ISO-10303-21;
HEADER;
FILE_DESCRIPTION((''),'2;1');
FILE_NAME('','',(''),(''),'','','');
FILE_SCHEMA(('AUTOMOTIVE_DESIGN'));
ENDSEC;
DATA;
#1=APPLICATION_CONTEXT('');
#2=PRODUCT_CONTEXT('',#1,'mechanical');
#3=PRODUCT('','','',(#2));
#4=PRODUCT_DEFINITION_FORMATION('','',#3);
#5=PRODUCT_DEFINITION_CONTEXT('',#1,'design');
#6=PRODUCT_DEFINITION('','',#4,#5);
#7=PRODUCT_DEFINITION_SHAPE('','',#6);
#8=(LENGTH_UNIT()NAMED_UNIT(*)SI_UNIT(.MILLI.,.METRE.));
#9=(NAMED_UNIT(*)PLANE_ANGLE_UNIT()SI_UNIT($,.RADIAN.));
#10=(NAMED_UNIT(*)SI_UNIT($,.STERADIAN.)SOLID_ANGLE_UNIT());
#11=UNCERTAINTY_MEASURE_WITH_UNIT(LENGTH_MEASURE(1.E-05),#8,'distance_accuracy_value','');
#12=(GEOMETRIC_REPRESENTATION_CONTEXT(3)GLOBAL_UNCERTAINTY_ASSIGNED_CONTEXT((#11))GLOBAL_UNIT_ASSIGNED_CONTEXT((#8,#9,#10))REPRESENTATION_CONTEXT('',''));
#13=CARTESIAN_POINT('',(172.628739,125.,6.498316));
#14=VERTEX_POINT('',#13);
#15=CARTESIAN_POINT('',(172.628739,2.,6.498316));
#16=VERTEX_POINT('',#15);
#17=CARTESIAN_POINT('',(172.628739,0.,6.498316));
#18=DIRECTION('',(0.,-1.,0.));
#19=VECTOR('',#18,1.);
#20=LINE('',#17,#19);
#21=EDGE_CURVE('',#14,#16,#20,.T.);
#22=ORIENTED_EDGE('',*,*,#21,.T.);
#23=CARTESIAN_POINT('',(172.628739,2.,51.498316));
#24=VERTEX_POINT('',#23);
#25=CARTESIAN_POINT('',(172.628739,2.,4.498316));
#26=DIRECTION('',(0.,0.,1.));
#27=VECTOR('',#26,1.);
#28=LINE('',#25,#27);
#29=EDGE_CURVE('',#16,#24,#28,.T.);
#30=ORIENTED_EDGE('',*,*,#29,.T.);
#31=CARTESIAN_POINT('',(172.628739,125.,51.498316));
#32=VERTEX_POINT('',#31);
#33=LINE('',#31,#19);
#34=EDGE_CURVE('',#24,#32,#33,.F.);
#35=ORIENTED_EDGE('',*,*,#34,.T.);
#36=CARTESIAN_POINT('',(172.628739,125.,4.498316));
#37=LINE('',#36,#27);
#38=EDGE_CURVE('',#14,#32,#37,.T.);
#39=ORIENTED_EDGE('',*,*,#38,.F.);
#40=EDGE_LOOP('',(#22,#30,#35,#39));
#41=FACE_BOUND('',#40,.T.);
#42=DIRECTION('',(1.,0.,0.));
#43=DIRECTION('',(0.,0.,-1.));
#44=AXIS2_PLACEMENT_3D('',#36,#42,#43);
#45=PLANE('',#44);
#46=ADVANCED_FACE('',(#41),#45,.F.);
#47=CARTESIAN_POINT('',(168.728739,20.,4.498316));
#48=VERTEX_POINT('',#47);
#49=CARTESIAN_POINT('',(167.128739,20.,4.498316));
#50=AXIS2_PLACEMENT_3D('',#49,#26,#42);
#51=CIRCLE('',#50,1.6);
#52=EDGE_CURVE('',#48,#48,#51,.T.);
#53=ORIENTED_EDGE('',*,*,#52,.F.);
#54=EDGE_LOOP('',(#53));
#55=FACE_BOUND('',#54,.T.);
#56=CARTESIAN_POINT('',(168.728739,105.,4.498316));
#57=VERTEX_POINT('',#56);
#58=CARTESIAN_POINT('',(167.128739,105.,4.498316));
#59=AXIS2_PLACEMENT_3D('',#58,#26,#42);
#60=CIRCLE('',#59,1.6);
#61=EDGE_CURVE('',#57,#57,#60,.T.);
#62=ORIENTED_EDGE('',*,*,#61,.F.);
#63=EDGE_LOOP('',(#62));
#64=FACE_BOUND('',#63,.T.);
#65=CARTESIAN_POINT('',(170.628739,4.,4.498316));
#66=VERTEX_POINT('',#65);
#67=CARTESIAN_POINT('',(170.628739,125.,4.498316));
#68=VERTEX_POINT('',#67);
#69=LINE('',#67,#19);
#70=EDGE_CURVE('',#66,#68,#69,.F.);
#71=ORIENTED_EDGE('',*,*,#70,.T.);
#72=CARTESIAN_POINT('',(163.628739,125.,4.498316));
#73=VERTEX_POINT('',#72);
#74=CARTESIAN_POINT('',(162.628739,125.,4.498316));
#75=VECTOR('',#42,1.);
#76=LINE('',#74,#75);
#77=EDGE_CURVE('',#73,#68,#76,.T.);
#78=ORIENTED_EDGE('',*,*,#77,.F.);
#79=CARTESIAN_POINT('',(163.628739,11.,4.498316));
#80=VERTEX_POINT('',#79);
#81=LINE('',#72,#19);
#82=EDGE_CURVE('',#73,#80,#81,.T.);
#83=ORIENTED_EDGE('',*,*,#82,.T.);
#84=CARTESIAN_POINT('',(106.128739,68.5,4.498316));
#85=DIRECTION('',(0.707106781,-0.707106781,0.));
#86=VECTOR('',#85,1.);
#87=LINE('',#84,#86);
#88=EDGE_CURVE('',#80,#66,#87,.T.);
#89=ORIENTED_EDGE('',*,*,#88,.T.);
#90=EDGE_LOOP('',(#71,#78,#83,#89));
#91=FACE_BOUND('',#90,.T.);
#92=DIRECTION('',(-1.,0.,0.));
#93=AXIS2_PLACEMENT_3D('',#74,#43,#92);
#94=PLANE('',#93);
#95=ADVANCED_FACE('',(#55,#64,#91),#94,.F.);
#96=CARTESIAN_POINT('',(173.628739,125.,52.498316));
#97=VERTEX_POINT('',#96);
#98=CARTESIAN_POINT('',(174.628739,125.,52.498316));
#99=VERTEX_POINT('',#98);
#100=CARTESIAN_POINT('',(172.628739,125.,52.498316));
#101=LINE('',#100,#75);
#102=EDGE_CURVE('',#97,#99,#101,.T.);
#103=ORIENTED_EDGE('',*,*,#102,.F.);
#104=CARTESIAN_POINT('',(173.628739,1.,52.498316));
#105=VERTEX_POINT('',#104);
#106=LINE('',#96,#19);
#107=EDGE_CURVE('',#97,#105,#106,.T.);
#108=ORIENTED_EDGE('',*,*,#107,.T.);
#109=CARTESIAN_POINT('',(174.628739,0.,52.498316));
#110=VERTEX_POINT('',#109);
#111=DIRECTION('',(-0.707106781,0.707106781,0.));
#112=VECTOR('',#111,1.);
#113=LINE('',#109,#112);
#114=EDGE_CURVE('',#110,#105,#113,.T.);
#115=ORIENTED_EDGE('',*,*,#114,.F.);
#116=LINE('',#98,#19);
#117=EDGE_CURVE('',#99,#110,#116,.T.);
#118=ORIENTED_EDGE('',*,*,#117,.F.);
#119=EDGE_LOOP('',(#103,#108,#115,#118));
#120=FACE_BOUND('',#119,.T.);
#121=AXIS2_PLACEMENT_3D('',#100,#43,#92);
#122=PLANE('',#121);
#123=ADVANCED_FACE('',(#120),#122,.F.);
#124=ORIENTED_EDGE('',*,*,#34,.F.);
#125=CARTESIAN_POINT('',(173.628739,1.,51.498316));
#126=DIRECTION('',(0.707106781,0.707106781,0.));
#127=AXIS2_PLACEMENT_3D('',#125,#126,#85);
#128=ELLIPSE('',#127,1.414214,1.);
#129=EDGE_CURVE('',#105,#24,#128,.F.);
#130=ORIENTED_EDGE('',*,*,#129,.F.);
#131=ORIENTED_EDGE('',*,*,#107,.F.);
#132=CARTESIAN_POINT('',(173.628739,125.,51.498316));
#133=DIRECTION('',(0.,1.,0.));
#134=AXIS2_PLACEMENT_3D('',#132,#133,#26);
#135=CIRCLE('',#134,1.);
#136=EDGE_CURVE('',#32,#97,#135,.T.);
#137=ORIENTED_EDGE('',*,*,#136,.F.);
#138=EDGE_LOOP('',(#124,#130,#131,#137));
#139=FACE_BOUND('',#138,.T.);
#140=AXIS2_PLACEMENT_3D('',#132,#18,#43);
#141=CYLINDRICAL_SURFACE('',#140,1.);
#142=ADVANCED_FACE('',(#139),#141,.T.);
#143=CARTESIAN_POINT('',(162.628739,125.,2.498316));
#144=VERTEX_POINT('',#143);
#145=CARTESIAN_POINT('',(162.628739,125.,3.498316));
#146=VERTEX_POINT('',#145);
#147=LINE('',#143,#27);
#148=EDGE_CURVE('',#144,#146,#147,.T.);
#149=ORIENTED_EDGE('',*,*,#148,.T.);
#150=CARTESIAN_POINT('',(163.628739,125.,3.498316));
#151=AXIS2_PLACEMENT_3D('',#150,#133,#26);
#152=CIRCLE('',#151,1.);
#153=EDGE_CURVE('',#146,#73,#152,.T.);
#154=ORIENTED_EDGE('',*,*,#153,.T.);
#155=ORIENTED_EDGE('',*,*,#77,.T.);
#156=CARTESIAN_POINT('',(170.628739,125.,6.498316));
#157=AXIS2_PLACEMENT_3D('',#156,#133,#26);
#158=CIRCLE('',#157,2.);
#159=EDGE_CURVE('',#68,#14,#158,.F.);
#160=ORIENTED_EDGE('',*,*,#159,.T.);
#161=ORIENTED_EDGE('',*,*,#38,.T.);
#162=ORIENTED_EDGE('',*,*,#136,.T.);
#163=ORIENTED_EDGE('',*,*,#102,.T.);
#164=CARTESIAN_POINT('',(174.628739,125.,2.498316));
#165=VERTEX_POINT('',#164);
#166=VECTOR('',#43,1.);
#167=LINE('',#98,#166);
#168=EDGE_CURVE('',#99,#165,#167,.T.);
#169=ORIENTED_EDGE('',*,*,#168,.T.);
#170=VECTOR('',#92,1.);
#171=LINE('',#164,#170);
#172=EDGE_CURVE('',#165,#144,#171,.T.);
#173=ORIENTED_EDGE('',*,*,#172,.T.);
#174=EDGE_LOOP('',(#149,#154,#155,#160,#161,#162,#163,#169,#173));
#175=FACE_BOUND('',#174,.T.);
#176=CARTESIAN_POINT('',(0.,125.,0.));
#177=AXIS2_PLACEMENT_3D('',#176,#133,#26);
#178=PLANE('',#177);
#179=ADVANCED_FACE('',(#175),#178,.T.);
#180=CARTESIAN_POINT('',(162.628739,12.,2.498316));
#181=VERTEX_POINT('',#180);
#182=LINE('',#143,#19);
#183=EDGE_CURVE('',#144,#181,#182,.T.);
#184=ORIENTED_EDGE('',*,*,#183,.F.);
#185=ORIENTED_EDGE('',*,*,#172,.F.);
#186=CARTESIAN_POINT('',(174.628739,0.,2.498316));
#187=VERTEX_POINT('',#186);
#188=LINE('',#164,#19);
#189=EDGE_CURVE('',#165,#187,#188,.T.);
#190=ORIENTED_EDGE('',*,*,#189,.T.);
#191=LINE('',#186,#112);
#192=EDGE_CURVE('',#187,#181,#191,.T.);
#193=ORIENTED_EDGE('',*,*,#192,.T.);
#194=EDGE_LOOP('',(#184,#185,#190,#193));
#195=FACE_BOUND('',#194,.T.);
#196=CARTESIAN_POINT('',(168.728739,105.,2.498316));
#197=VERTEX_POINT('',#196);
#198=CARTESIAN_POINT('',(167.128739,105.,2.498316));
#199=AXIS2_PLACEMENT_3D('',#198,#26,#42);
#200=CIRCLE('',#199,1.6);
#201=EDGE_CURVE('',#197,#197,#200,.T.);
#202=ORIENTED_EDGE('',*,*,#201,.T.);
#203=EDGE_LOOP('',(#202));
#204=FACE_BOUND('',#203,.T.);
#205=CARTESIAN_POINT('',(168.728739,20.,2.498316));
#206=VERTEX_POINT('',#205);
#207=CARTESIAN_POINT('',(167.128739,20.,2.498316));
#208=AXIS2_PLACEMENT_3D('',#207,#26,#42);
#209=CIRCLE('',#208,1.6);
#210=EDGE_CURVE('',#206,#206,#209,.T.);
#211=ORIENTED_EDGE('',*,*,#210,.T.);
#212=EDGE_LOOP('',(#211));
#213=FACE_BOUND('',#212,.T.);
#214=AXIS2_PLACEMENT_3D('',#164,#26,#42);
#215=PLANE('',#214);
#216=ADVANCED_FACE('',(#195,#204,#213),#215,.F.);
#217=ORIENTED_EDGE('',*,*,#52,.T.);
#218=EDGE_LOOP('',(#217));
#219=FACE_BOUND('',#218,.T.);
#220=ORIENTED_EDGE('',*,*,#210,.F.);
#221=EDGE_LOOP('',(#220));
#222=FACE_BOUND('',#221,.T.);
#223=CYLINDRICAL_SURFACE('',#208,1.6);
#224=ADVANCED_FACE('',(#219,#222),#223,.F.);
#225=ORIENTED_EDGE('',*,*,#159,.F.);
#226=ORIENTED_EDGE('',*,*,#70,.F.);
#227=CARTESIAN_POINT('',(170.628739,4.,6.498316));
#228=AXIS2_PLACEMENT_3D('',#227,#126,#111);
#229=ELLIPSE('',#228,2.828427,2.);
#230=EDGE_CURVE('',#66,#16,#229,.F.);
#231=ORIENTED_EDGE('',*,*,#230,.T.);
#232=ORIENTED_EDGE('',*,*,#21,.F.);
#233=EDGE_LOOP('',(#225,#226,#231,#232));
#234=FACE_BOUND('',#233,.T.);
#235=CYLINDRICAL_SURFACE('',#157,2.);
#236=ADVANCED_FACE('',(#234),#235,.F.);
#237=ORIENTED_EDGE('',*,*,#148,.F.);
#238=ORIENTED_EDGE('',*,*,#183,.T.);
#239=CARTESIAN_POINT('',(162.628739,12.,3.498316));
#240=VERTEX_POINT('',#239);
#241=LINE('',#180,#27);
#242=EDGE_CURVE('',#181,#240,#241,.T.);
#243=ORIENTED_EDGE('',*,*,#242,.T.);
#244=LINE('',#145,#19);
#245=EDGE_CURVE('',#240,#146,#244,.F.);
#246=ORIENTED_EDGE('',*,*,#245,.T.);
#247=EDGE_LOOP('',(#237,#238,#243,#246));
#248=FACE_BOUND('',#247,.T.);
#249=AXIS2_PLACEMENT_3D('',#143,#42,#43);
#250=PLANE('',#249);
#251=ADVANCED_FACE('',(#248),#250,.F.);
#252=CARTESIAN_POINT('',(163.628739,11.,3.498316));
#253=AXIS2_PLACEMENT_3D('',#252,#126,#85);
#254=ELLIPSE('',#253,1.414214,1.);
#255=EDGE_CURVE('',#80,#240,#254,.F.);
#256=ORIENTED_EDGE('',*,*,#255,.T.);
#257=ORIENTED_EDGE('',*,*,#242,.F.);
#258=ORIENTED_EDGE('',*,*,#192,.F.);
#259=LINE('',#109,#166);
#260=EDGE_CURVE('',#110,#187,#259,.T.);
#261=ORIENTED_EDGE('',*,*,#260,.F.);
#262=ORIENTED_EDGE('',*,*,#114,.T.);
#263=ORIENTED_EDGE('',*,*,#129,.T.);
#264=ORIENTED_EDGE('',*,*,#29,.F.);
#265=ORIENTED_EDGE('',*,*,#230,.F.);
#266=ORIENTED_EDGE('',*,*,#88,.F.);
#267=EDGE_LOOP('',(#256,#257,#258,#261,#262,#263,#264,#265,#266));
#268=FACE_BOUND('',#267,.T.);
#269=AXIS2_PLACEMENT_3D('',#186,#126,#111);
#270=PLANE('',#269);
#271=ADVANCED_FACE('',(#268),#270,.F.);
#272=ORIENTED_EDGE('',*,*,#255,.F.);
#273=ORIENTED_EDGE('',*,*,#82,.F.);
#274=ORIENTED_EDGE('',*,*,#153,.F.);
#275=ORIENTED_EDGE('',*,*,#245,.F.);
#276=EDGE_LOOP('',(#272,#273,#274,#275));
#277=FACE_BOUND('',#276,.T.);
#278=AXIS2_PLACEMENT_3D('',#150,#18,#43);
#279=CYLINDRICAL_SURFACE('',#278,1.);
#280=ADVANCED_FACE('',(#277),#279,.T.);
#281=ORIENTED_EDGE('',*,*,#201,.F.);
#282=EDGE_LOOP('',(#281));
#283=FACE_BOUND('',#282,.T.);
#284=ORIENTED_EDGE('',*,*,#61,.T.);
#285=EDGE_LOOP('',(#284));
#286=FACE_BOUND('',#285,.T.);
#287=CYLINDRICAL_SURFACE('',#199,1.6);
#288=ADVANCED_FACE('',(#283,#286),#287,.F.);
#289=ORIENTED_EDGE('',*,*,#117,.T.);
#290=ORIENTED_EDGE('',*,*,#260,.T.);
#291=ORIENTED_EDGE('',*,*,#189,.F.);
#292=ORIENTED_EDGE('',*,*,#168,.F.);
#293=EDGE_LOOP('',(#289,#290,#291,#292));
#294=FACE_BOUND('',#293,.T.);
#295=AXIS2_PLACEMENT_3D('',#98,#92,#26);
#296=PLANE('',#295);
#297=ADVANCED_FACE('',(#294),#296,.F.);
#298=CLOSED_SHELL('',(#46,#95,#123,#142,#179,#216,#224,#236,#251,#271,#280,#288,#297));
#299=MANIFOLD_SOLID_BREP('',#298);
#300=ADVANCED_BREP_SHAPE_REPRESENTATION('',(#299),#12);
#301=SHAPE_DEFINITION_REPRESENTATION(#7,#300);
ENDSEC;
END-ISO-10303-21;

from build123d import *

# Parameters (mm, degrees)
BOSS_EXTRUDE1_DEPTH     = 125
FILLET1_R               = 1
FILLET2_R               = 2
SKETCH3_R               = 1.6
CUT_EXTRUDE1_DEPTH      = 221.054985344
CUT_EXTRUDE2_DEPTH      = 221.054985344
CUT_EXTRUDE2_DEPTH_BACK = 221.054985344


with BuildPart() as part:
    # Sketch2 → Boss-Extrude1 (new body)
    with BuildSketch(Plane(origin=(0, 0, 0), x_dir=(1, 0, 0), z_dir=(0, 1, 0))):
        Polygon((174.628739257, -52.498316328), (174.628739257, -2.498316328), (162.628739257, -2.498316328), (162.628739257, -4.498316328), (172.628739257, -4.498316328), (172.628739257, -52.498316328), align=None)
    extrude(amount=BOSS_EXTRUDE1_DEPTH)

    # Fillet1
    fillet1_edges = [part.edges().sort_by_distance(p)[0] for p in [
        (172.628739257, 62.5, 52.498316328),
        (162.628739257, 62.5, 4.498316328),
    ]]
    fillet(fillet1_edges, radius=FILLET1_R)

    # Fillet2
    fillet2_edges = [part.edges().sort_by_distance(p)[0] for p in [
        (172.628739257, 62.5, 4.498316328),
    ]]
    fillet(fillet2_edges, radius=FILLET2_R)

    # Sketch3 → Cut-Extrude1 (cut, through all)
    with BuildSketch(Plane.XY.offset(4.498316328)):
        with Locations((167.128739257, 20)):
            Circle(SKETCH3_R)
        with Locations((167.128739257, 105)):
            Circle(SKETCH3_R)
    extrude(amount=-CUT_EXTRUDE1_DEPTH, mode=Mode.SUBTRACT)

    # Sketch4 → Cut-Extrude2 (cut, two sides: drawn at the far end of the back side and taken through both)
    with BuildSketch(Plane.XY.offset(4.498316328).offset(-CUT_EXTRUDE2_DEPTH_BACK)):
        Polygon((174.628739257, 0), (162.628739257, 12), (162.628739257, 0), align=None)
    extrude(amount=CUT_EXTRUDE2_DEPTH + CUT_EXTRUDE2_DEPTH_BACK, mode=Mode.SUBTRACT)


solid = part.part
